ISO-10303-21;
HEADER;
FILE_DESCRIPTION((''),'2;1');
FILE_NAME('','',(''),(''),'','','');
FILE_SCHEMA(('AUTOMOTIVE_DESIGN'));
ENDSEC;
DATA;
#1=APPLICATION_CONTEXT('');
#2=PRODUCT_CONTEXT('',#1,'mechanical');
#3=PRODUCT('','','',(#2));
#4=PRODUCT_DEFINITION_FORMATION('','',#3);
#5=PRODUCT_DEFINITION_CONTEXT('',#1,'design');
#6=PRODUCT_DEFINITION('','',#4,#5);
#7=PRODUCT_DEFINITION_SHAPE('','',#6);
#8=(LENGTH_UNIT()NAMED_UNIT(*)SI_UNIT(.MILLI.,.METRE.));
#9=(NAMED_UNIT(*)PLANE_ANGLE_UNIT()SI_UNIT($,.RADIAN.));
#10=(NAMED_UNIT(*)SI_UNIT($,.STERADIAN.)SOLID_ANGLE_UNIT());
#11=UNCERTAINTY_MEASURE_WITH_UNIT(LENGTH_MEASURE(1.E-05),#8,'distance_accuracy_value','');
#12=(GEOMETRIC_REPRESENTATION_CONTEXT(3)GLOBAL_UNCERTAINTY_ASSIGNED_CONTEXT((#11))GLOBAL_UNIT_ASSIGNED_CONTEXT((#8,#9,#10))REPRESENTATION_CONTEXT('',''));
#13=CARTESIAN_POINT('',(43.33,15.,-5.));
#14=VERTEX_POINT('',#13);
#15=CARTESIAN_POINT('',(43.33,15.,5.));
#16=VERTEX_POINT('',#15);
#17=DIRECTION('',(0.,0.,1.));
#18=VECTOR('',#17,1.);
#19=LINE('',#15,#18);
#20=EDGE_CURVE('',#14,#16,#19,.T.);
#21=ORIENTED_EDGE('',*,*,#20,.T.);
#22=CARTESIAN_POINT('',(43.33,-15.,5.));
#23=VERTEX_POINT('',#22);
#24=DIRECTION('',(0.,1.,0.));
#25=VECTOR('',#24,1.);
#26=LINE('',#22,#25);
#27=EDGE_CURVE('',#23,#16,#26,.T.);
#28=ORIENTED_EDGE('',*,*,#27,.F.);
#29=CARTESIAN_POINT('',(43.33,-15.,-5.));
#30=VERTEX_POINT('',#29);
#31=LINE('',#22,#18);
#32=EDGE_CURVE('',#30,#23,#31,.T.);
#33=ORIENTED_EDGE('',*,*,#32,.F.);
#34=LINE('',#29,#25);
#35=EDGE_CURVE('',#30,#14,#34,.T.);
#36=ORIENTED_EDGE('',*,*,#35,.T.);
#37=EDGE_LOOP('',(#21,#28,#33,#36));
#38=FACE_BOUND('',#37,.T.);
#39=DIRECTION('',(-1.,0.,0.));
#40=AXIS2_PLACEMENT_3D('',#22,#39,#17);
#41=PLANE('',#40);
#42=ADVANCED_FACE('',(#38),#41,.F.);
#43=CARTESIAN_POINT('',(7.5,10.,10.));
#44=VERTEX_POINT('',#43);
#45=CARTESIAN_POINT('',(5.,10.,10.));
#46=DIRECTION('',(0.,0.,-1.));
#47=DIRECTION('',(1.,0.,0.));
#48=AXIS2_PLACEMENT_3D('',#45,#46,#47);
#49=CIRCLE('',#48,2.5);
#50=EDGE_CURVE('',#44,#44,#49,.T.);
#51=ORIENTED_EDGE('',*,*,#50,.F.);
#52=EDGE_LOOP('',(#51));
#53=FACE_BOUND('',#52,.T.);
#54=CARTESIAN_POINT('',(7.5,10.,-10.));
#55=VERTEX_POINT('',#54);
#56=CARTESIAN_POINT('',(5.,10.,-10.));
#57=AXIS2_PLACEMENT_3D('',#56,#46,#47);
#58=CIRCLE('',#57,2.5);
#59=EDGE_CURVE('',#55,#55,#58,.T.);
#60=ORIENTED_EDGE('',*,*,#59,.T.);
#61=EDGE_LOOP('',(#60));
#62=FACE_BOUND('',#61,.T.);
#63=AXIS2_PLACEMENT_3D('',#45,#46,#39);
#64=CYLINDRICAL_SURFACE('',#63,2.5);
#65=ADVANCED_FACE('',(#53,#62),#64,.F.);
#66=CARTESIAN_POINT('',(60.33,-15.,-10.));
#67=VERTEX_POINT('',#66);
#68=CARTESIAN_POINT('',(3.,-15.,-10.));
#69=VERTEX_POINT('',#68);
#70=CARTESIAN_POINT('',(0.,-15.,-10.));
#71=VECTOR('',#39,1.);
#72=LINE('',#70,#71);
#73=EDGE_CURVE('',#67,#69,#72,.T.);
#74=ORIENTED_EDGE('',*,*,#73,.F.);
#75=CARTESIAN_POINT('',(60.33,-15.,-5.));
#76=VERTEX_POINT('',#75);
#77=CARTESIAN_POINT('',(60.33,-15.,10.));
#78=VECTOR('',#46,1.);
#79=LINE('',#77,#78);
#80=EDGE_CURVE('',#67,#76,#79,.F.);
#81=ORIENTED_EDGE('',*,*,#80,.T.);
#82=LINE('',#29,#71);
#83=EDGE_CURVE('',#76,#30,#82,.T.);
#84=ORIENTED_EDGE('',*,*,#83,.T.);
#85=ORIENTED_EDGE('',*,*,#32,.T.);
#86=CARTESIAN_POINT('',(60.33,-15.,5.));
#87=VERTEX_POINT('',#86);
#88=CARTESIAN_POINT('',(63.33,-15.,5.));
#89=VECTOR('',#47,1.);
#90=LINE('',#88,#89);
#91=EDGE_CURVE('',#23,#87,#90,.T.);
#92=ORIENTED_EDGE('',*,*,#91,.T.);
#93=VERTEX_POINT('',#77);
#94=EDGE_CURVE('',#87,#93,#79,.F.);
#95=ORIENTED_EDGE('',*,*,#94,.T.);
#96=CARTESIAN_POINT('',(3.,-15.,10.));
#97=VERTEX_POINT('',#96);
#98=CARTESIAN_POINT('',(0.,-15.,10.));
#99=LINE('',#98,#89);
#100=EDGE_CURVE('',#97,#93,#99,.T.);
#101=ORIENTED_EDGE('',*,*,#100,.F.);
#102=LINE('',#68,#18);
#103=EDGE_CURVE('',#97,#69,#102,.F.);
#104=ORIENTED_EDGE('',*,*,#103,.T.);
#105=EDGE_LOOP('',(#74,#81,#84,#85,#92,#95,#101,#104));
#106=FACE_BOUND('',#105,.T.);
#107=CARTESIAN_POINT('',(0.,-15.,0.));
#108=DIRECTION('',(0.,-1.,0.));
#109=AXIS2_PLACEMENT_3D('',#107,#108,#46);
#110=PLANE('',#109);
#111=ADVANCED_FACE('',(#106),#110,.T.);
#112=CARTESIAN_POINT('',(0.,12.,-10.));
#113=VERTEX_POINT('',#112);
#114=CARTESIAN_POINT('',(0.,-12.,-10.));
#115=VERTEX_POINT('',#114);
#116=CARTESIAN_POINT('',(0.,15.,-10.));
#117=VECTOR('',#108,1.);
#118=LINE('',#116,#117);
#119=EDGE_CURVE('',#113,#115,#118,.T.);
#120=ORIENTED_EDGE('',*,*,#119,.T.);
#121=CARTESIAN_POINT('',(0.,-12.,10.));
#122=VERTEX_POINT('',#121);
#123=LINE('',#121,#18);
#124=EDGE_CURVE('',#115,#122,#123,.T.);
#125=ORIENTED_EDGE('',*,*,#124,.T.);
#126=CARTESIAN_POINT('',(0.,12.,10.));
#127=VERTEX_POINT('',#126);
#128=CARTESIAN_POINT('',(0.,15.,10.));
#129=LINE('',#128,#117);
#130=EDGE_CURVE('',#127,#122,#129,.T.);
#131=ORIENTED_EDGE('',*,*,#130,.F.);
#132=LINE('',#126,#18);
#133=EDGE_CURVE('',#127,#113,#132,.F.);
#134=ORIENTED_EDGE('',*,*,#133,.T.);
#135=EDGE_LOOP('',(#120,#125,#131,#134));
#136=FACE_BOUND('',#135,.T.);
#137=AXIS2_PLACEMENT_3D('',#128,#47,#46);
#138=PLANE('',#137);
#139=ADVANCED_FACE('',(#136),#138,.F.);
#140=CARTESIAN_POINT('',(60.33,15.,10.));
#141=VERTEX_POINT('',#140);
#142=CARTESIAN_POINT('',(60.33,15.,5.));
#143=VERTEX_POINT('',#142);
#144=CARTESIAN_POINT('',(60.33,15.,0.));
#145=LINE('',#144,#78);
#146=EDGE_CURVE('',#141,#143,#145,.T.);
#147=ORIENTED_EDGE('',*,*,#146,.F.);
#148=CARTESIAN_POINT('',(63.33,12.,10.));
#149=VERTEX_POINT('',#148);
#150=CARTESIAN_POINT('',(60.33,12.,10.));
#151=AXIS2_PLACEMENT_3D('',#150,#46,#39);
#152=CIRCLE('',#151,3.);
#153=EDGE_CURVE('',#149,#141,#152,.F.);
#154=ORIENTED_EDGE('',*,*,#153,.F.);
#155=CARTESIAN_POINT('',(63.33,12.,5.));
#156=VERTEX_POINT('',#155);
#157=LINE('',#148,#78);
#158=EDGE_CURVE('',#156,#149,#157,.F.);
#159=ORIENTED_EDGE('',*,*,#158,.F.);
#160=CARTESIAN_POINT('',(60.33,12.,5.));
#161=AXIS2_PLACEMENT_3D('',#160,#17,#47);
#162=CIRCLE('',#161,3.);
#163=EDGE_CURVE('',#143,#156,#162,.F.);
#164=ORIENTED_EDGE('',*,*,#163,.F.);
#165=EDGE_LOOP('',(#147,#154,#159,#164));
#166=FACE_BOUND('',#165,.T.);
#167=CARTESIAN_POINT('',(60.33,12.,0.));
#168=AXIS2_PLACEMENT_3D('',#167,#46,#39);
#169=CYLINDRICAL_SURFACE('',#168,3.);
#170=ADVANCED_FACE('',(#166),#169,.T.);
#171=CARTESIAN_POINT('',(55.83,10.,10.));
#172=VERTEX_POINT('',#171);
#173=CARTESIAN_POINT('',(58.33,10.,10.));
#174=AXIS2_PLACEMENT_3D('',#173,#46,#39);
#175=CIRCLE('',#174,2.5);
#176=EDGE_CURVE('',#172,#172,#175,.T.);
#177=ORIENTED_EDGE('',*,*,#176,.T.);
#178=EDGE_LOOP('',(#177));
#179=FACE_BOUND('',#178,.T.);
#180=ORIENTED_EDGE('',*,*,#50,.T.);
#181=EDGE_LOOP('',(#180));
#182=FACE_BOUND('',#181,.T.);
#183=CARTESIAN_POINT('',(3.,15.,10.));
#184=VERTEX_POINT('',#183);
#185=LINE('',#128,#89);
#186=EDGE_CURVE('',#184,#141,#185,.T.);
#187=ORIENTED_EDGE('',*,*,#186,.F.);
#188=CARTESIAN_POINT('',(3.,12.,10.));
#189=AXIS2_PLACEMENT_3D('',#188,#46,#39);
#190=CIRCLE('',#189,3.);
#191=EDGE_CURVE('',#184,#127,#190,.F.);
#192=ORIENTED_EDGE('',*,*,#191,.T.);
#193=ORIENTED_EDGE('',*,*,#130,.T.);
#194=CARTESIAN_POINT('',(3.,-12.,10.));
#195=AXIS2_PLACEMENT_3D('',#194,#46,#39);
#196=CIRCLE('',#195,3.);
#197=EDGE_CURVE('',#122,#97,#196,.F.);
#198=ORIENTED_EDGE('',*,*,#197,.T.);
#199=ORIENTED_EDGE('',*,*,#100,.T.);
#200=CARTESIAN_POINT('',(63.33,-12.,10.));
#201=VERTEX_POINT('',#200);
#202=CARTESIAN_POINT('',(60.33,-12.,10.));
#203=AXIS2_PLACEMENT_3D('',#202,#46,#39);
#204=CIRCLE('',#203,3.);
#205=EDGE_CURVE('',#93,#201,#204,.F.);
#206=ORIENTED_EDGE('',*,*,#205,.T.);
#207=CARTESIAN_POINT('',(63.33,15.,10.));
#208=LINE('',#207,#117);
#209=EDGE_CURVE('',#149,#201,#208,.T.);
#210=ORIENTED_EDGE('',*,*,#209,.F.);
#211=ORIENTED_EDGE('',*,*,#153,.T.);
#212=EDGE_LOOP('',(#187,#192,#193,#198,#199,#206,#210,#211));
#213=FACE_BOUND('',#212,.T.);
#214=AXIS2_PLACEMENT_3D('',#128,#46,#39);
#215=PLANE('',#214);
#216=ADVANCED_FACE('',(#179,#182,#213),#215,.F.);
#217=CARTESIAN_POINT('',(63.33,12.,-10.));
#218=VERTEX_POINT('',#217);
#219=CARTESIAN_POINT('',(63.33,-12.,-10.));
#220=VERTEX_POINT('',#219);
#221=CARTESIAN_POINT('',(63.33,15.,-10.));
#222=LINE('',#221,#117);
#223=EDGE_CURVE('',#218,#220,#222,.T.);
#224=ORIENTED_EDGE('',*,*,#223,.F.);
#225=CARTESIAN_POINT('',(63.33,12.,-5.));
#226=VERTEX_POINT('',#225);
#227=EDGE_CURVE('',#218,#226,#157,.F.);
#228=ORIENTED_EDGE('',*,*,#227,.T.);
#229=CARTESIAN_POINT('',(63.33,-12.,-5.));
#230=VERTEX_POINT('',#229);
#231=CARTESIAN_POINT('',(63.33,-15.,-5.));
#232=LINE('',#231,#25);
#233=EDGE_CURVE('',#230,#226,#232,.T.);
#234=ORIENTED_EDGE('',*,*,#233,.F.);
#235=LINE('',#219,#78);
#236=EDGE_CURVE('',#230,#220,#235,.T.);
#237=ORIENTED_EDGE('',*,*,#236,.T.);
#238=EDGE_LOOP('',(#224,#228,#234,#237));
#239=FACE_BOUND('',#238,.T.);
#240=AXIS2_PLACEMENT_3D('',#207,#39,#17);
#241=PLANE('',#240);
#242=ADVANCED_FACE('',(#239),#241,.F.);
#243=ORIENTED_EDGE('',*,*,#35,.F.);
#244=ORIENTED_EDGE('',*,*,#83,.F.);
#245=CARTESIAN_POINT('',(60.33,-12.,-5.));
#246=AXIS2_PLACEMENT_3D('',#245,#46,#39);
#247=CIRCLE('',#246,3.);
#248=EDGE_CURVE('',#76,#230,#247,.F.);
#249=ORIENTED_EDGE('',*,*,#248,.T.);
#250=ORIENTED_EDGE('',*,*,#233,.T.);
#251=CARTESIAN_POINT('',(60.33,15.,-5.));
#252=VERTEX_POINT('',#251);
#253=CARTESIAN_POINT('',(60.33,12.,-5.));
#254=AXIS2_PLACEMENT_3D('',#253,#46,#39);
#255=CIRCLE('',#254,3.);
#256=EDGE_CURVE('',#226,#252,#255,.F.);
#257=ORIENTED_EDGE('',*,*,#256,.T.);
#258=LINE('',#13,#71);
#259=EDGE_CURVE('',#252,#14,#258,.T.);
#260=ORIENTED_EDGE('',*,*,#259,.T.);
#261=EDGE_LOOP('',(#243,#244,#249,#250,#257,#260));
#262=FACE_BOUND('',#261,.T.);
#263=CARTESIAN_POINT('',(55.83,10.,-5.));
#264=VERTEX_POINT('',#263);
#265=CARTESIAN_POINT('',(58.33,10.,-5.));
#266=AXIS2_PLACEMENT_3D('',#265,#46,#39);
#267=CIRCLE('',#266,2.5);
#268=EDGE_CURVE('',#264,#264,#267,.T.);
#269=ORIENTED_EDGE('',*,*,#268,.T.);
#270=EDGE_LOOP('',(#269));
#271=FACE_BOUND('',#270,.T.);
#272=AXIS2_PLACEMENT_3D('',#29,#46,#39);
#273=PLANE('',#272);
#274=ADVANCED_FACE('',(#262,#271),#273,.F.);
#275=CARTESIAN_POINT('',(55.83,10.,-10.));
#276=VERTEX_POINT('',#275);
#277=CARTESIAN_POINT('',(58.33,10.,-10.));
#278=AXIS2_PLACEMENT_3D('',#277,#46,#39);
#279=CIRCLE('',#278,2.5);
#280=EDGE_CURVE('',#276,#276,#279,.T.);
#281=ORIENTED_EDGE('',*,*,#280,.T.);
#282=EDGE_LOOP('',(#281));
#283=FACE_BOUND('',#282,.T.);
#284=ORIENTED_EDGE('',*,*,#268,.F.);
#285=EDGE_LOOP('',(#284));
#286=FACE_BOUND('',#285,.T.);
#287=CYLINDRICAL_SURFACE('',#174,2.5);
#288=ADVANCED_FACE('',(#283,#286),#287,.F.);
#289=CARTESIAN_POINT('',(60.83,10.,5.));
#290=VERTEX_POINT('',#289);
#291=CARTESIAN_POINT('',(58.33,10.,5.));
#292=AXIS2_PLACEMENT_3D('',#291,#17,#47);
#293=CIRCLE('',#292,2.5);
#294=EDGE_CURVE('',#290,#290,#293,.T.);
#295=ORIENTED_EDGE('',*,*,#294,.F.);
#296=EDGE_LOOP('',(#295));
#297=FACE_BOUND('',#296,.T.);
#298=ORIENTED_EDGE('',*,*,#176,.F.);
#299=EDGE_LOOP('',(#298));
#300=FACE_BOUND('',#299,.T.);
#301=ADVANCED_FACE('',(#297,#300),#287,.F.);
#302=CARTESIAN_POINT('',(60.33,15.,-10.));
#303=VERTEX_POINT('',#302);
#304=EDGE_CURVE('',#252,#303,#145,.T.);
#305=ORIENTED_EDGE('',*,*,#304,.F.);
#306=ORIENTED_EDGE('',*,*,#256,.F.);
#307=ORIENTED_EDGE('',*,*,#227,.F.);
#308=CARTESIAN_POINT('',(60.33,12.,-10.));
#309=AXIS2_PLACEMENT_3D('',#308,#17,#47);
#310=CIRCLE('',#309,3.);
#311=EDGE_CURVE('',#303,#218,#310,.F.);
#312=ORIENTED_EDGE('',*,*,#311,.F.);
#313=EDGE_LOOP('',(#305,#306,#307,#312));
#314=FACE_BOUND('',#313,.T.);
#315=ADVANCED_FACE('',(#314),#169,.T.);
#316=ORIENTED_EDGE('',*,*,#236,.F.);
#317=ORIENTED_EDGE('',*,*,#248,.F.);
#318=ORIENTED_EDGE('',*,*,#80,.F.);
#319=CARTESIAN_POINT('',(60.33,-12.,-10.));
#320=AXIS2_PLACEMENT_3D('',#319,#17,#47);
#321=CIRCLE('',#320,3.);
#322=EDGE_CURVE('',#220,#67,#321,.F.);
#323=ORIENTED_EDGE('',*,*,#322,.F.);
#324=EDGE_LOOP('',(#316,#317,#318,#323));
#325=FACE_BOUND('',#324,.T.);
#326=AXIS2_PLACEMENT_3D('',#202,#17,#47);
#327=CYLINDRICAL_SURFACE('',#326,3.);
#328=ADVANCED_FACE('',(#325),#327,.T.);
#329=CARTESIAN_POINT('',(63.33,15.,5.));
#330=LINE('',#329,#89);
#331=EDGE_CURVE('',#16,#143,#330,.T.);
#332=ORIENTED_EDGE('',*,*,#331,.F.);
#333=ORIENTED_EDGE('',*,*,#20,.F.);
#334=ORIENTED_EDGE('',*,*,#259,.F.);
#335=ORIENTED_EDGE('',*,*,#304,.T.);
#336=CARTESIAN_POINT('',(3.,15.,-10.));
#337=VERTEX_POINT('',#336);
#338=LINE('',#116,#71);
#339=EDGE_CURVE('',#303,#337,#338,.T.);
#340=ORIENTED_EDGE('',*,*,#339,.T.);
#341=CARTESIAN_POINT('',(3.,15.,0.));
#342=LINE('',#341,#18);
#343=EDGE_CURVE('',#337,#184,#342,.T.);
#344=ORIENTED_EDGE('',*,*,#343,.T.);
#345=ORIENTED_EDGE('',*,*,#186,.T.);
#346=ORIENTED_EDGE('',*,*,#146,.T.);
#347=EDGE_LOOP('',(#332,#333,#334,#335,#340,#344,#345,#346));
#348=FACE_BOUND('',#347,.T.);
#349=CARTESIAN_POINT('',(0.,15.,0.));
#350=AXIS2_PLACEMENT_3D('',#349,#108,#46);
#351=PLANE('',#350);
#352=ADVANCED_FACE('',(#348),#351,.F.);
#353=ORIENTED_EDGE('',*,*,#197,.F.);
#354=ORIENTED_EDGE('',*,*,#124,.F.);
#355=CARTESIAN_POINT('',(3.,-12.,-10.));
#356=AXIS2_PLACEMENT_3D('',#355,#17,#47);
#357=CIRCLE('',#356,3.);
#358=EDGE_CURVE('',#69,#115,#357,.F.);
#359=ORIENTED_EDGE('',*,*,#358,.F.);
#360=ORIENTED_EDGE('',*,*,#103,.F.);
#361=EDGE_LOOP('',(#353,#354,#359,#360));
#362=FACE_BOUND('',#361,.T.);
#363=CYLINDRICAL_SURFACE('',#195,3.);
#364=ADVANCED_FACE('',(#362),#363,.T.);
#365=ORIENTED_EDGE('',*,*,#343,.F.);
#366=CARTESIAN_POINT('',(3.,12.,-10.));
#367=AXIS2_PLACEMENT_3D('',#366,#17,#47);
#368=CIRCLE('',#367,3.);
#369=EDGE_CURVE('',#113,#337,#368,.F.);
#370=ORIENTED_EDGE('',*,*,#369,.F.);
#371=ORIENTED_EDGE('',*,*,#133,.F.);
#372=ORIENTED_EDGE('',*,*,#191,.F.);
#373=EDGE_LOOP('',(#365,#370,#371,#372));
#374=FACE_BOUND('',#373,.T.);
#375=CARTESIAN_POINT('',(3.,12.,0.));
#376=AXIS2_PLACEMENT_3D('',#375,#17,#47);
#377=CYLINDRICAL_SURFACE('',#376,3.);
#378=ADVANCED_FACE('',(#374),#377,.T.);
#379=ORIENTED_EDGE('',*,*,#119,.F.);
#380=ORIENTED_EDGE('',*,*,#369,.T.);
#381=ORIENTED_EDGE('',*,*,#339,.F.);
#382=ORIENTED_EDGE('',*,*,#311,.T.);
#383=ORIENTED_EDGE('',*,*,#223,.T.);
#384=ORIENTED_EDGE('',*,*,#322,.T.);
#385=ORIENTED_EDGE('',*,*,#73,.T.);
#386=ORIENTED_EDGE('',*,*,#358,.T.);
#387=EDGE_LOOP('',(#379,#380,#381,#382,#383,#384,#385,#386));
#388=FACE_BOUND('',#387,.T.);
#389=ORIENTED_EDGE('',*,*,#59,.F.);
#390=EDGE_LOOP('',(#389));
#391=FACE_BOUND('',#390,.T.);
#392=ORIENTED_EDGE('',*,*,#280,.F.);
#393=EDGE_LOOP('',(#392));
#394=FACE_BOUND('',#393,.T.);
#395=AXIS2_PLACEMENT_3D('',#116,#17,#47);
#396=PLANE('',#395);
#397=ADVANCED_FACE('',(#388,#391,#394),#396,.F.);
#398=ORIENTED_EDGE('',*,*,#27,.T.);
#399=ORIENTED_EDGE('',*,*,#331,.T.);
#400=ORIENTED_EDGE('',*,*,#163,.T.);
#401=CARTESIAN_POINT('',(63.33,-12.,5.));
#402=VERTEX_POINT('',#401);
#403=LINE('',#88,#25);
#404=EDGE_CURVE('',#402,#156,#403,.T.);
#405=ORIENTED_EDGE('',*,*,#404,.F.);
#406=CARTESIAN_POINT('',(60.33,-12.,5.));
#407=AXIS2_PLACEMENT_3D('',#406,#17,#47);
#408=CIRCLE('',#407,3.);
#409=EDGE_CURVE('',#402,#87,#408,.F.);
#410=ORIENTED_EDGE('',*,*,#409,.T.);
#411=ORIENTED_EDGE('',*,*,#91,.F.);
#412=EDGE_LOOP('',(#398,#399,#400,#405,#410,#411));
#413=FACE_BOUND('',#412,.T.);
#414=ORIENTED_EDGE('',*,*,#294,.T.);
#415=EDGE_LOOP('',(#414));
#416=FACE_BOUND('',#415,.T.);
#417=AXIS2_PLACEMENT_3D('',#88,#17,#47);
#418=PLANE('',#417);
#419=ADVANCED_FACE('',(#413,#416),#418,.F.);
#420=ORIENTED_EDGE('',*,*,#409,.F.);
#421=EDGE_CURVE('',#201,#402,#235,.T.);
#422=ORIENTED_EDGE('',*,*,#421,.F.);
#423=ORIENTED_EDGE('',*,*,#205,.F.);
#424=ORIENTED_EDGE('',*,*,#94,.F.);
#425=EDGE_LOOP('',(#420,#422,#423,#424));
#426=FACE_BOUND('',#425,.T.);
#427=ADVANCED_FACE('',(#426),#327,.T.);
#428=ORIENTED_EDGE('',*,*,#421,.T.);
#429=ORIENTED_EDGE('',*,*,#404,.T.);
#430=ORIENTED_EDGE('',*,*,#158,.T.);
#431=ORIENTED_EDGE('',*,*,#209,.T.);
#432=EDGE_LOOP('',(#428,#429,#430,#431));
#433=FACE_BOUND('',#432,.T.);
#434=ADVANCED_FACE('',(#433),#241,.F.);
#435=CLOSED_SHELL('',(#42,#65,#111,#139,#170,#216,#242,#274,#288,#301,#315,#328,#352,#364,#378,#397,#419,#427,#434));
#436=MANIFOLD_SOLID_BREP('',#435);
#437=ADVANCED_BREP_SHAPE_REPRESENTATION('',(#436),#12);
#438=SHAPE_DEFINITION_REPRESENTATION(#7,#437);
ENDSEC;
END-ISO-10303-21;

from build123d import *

# Parameters (mm, degrees)
ESQUISSE2_W             = 63.33
ESQUISSE2_H             = 20
BOSS_EXTRU_1_DEPTH      = 15
CONG_1_R                = 3
ESQUISSE4_W             = 20
ESQUISSE4_H             = 10
ENL_V_MAT_EXTRU_1_DEPTH = 31
ESQUISSE5_R             = 2.5
ENL_V_MAT_EXTRU_2_DEPTH = 21


with BuildPart() as part:
    # Esquisse2 → Boss.-Extru.1 (new body, symmetric)
    with BuildSketch(Plane(origin=(0, 0, 0), x_dir=(1, 0, 0), z_dir=(0, 1, 0))):
        with Locations((31.665, 0)):
            Rectangle(ESQUISSE2_W, ESQUISSE2_H)
    extrude(amount=BOSS_EXTRU_1_DEPTH, both=True)

    # Congé1
    cong_1_edges = [part.edges().sort_by_distance(p)[0] for p in [
        (63.33, 15, 0),
        (0, 15, 0),
        (63.33, -15, 0),
        (0, -15, 0),
    ]]
    fillet(cong_1_edges, radius=CONG_1_R)

    # Esquisse4 → Enlèv. mat.-Extru.1 (cut, through all)
    with BuildSketch(Plane(origin=(0, 15, 0), x_dir=(1, 0, 0), z_dir=(0, 1, 0))):
        with Locations((53.33, 0)):
            Rectangle(ESQUISSE4_W, ESQUISSE4_H)
    extrude(amount=-ENL_V_MAT_EXTRU_1_DEPTH, mode=Mode.SUBTRACT)

    # Esquisse5 → Enlèv. mat.-Extru.2 (cut, through all)
    with BuildSketch(Plane(origin=(0, 0, -10), x_dir=(-1, 0, 0), z_dir=(0, 0, -1))):
        with Locations((-58.33, 10)):
            Circle(ESQUISSE5_R)
        with Locations((-5, 10)):
            Circle(ESQUISSE5_R)
    extrude(amount=-ENL_V_MAT_EXTRU_2_DEPTH, mode=Mode.SUBTRACT)


solid = part.part
